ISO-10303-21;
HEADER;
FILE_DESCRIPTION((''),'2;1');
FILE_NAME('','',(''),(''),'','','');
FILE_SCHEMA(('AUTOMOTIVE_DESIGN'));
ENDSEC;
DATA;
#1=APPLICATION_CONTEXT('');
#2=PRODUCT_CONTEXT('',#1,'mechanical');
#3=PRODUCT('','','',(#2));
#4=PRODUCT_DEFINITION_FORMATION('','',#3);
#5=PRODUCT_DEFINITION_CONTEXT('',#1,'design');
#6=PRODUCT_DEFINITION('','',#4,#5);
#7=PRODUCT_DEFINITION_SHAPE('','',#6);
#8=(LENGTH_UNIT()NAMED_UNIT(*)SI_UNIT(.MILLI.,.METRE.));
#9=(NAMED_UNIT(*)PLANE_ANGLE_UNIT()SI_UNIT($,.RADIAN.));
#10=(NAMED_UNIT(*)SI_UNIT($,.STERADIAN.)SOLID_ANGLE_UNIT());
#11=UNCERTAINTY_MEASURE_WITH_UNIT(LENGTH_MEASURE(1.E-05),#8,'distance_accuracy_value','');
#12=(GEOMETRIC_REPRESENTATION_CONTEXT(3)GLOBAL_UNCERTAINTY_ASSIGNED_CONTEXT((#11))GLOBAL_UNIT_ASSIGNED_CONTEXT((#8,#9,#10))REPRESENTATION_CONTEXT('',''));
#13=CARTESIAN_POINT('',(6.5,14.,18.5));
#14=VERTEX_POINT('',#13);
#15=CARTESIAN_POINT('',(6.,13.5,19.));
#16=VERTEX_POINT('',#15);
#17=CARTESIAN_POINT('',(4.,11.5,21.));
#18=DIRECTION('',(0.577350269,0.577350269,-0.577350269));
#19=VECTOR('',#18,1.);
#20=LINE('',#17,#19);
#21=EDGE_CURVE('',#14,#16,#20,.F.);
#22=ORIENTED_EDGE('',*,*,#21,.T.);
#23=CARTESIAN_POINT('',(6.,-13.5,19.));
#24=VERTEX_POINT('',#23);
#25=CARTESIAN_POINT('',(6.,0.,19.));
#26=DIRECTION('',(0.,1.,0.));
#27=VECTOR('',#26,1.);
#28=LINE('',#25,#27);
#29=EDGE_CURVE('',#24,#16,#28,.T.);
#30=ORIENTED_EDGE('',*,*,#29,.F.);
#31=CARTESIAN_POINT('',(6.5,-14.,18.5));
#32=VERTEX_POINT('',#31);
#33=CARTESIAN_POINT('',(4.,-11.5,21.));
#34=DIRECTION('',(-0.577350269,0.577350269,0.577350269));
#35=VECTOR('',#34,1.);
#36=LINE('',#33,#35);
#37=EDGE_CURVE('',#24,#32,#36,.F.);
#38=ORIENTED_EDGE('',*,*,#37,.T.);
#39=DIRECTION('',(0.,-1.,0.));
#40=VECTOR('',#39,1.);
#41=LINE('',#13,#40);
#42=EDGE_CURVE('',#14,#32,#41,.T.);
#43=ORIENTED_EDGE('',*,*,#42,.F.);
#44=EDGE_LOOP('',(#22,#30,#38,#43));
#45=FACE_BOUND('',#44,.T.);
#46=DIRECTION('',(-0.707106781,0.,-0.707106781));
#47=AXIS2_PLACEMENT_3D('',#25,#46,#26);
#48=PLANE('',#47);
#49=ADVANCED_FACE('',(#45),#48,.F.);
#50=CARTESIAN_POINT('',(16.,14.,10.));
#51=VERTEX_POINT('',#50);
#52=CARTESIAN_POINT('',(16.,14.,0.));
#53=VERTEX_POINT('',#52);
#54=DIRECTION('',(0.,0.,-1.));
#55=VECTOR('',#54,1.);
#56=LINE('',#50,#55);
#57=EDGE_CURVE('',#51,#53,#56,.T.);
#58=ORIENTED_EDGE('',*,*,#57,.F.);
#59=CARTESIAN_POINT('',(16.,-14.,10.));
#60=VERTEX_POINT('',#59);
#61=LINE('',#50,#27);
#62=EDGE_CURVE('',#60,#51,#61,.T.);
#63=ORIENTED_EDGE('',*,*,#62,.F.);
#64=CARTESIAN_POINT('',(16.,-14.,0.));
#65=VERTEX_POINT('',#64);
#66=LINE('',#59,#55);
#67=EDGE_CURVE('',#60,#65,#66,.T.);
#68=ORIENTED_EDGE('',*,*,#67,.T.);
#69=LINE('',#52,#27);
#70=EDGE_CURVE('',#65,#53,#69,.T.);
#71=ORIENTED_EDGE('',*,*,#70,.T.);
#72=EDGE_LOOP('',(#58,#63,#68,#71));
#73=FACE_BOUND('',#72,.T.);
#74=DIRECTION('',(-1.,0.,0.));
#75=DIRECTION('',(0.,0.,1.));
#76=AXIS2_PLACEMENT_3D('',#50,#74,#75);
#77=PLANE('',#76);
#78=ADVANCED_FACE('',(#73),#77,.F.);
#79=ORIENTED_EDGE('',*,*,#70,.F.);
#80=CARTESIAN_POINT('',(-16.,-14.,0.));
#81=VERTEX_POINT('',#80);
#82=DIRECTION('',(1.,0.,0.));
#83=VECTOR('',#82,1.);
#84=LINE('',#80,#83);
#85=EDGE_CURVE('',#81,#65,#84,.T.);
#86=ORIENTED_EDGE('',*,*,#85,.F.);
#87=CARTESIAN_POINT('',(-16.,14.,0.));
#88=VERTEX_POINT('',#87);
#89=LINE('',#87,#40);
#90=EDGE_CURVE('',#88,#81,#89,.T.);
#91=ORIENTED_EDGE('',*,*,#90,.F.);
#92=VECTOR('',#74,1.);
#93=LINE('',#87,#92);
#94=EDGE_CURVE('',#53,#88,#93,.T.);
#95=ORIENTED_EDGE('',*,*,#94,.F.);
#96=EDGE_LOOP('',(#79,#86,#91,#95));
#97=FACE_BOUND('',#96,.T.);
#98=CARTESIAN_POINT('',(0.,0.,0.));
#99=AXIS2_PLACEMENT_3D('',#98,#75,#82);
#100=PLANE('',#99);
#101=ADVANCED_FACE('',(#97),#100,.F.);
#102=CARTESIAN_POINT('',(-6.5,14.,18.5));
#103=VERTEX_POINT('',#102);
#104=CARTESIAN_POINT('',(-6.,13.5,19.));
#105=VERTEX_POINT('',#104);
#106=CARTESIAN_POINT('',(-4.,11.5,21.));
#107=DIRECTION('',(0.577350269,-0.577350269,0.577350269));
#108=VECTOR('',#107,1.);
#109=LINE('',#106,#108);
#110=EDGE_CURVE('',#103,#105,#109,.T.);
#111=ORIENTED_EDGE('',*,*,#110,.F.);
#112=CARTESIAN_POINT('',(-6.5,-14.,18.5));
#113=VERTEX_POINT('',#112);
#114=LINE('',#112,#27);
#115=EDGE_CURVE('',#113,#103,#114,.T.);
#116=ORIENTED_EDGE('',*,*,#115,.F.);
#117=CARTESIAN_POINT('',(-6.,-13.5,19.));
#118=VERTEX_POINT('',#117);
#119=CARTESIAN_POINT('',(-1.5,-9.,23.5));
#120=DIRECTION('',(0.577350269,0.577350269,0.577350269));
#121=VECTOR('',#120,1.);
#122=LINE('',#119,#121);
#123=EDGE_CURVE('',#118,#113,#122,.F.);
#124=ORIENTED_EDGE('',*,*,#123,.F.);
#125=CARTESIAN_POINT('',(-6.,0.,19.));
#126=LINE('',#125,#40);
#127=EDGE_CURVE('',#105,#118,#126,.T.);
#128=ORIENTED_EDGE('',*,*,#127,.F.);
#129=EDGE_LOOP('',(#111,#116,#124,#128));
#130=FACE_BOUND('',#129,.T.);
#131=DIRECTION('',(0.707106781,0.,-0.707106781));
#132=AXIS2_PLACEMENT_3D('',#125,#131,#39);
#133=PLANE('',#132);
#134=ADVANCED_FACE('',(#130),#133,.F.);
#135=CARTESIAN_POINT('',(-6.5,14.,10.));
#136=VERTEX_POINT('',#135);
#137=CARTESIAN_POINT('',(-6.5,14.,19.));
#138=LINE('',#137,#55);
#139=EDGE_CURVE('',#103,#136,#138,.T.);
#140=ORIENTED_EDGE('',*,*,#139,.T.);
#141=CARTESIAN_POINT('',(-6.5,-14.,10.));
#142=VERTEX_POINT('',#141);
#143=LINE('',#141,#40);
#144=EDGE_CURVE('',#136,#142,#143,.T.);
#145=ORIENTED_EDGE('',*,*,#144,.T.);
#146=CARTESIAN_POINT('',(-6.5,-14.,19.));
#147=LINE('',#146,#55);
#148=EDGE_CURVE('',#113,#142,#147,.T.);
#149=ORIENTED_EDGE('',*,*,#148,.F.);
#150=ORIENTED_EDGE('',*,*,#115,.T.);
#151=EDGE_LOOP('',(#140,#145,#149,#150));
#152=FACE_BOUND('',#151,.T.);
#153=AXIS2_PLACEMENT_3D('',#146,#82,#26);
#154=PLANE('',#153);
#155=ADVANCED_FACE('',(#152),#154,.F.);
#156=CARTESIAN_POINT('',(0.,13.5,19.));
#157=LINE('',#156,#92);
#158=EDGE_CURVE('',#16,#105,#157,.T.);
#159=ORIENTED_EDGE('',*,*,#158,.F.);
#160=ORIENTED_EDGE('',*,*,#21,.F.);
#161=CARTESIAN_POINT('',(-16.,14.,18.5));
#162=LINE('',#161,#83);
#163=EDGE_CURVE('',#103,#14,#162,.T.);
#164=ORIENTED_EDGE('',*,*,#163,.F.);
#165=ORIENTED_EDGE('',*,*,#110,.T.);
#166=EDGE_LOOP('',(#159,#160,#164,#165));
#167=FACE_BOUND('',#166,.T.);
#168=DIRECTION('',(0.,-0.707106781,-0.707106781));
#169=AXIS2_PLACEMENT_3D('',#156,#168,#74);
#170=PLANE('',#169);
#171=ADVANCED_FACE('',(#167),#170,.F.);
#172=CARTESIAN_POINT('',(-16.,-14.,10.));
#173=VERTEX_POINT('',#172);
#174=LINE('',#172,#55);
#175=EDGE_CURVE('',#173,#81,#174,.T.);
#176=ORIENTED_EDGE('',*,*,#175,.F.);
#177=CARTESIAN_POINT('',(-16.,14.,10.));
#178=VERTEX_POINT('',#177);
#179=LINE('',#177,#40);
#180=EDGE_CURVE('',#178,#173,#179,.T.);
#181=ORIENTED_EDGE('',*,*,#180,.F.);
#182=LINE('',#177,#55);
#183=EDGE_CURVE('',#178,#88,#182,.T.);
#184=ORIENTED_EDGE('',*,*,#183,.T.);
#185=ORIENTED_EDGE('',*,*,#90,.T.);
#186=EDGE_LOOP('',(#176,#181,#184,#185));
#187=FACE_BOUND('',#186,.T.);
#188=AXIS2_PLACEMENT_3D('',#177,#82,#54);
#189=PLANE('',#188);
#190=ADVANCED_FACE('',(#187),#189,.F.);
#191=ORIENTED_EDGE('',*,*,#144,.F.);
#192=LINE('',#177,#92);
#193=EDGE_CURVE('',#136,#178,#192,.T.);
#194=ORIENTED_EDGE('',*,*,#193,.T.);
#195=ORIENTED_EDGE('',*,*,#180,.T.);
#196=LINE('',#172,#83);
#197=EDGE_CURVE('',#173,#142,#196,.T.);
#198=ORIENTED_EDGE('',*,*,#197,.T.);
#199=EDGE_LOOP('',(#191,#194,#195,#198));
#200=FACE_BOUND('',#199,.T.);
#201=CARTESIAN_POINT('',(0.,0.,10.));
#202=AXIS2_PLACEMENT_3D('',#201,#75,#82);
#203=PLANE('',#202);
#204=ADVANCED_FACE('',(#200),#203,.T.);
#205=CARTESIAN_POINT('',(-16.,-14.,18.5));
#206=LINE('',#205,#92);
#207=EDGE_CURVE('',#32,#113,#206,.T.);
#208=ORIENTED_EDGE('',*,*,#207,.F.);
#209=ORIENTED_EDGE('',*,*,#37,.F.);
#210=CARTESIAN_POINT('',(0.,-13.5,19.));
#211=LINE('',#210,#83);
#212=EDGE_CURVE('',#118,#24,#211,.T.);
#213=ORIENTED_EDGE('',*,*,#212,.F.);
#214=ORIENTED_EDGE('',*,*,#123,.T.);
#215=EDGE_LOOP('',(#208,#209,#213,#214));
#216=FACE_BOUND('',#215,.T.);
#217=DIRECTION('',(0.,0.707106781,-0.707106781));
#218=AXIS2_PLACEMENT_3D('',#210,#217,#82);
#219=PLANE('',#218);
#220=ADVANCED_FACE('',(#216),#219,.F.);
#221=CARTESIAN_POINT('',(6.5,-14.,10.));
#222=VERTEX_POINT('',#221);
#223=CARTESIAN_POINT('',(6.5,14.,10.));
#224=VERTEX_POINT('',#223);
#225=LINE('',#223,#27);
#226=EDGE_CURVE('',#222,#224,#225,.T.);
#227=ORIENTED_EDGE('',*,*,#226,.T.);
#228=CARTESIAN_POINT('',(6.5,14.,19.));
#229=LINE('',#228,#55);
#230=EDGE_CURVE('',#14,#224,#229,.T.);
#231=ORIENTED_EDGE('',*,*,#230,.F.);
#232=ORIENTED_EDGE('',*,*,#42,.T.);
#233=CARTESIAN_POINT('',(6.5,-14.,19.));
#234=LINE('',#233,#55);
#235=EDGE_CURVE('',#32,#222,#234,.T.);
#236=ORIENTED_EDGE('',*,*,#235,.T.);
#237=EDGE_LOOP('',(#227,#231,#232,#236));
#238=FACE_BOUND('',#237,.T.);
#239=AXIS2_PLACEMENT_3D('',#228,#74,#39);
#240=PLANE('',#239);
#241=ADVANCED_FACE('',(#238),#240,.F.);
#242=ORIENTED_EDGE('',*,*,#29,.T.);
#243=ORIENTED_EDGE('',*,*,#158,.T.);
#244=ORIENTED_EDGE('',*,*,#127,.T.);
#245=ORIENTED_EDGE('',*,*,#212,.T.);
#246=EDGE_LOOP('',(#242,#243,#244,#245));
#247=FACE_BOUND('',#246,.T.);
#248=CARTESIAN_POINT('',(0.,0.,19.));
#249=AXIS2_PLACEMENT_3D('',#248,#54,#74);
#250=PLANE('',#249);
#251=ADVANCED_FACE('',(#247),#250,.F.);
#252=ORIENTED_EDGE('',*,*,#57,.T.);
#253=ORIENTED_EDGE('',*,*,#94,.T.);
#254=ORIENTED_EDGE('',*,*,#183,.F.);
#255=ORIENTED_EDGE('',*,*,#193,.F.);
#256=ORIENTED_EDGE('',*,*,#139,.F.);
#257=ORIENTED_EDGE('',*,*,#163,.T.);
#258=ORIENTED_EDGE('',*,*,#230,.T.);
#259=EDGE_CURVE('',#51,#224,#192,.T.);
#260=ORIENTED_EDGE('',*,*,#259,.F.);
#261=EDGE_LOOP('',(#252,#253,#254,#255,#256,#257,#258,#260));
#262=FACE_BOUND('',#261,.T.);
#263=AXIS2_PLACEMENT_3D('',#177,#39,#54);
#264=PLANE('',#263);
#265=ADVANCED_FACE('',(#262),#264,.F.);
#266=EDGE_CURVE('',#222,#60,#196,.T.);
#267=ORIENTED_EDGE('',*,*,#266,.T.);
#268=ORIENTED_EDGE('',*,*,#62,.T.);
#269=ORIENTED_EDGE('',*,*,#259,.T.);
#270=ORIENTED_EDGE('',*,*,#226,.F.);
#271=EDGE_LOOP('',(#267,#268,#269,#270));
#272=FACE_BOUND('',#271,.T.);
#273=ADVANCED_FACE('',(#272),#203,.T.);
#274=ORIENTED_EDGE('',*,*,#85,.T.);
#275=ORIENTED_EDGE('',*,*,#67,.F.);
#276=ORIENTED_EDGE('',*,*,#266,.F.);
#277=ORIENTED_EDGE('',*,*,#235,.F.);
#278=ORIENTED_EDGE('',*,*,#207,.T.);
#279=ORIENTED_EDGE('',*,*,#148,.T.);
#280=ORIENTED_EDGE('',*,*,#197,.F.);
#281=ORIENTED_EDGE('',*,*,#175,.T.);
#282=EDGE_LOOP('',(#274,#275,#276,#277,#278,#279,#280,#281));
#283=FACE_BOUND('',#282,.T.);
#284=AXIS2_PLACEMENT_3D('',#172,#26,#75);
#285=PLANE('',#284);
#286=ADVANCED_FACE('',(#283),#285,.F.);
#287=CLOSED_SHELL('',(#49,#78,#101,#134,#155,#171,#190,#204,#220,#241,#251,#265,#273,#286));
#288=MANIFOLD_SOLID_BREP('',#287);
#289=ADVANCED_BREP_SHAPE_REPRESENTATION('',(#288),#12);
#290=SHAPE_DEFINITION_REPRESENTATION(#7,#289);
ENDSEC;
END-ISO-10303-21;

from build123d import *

# Parameters (mm, degrees)
SKETCH_5_W      = 32
SKETCH_5_H      = 28
EXTRUDE_5_DEPTH = 10
EXTRUDE_6_DEPTH = 9
CHAMFER_4_SIZE  = 0.5


with BuildPart() as part:
    # 草图5 → 凸台-拉伸5 (new body)
    with BuildSketch(Plane.XY):
        Rectangle(SKETCH_5_W, SKETCH_5_H)
    extrude(amount=EXTRUDE_5_DEPTH)

    # 草图6 → 凸台-拉伸6 (add)
    with BuildSketch(Plane.XY.offset(10)):
        Polygon((0, 14), (6.5, 14), (6.5, -14), (-6.5, -14), (-6.5, 14), align=None)
    extrude(amount=EXTRUDE_6_DEPTH)

    # 倒角4
    chamfer_4_edges = [part.edges().sort_by_distance(p)[0] for p in [
        (0, 14, 19),
        (-6.5, 0, 19),
        (0, -14, 19),
        (6.5, 0, 19),
    ]]
    chamfer(chamfer_4_edges, length=CHAMFER_4_SIZE)


solid = part.part
